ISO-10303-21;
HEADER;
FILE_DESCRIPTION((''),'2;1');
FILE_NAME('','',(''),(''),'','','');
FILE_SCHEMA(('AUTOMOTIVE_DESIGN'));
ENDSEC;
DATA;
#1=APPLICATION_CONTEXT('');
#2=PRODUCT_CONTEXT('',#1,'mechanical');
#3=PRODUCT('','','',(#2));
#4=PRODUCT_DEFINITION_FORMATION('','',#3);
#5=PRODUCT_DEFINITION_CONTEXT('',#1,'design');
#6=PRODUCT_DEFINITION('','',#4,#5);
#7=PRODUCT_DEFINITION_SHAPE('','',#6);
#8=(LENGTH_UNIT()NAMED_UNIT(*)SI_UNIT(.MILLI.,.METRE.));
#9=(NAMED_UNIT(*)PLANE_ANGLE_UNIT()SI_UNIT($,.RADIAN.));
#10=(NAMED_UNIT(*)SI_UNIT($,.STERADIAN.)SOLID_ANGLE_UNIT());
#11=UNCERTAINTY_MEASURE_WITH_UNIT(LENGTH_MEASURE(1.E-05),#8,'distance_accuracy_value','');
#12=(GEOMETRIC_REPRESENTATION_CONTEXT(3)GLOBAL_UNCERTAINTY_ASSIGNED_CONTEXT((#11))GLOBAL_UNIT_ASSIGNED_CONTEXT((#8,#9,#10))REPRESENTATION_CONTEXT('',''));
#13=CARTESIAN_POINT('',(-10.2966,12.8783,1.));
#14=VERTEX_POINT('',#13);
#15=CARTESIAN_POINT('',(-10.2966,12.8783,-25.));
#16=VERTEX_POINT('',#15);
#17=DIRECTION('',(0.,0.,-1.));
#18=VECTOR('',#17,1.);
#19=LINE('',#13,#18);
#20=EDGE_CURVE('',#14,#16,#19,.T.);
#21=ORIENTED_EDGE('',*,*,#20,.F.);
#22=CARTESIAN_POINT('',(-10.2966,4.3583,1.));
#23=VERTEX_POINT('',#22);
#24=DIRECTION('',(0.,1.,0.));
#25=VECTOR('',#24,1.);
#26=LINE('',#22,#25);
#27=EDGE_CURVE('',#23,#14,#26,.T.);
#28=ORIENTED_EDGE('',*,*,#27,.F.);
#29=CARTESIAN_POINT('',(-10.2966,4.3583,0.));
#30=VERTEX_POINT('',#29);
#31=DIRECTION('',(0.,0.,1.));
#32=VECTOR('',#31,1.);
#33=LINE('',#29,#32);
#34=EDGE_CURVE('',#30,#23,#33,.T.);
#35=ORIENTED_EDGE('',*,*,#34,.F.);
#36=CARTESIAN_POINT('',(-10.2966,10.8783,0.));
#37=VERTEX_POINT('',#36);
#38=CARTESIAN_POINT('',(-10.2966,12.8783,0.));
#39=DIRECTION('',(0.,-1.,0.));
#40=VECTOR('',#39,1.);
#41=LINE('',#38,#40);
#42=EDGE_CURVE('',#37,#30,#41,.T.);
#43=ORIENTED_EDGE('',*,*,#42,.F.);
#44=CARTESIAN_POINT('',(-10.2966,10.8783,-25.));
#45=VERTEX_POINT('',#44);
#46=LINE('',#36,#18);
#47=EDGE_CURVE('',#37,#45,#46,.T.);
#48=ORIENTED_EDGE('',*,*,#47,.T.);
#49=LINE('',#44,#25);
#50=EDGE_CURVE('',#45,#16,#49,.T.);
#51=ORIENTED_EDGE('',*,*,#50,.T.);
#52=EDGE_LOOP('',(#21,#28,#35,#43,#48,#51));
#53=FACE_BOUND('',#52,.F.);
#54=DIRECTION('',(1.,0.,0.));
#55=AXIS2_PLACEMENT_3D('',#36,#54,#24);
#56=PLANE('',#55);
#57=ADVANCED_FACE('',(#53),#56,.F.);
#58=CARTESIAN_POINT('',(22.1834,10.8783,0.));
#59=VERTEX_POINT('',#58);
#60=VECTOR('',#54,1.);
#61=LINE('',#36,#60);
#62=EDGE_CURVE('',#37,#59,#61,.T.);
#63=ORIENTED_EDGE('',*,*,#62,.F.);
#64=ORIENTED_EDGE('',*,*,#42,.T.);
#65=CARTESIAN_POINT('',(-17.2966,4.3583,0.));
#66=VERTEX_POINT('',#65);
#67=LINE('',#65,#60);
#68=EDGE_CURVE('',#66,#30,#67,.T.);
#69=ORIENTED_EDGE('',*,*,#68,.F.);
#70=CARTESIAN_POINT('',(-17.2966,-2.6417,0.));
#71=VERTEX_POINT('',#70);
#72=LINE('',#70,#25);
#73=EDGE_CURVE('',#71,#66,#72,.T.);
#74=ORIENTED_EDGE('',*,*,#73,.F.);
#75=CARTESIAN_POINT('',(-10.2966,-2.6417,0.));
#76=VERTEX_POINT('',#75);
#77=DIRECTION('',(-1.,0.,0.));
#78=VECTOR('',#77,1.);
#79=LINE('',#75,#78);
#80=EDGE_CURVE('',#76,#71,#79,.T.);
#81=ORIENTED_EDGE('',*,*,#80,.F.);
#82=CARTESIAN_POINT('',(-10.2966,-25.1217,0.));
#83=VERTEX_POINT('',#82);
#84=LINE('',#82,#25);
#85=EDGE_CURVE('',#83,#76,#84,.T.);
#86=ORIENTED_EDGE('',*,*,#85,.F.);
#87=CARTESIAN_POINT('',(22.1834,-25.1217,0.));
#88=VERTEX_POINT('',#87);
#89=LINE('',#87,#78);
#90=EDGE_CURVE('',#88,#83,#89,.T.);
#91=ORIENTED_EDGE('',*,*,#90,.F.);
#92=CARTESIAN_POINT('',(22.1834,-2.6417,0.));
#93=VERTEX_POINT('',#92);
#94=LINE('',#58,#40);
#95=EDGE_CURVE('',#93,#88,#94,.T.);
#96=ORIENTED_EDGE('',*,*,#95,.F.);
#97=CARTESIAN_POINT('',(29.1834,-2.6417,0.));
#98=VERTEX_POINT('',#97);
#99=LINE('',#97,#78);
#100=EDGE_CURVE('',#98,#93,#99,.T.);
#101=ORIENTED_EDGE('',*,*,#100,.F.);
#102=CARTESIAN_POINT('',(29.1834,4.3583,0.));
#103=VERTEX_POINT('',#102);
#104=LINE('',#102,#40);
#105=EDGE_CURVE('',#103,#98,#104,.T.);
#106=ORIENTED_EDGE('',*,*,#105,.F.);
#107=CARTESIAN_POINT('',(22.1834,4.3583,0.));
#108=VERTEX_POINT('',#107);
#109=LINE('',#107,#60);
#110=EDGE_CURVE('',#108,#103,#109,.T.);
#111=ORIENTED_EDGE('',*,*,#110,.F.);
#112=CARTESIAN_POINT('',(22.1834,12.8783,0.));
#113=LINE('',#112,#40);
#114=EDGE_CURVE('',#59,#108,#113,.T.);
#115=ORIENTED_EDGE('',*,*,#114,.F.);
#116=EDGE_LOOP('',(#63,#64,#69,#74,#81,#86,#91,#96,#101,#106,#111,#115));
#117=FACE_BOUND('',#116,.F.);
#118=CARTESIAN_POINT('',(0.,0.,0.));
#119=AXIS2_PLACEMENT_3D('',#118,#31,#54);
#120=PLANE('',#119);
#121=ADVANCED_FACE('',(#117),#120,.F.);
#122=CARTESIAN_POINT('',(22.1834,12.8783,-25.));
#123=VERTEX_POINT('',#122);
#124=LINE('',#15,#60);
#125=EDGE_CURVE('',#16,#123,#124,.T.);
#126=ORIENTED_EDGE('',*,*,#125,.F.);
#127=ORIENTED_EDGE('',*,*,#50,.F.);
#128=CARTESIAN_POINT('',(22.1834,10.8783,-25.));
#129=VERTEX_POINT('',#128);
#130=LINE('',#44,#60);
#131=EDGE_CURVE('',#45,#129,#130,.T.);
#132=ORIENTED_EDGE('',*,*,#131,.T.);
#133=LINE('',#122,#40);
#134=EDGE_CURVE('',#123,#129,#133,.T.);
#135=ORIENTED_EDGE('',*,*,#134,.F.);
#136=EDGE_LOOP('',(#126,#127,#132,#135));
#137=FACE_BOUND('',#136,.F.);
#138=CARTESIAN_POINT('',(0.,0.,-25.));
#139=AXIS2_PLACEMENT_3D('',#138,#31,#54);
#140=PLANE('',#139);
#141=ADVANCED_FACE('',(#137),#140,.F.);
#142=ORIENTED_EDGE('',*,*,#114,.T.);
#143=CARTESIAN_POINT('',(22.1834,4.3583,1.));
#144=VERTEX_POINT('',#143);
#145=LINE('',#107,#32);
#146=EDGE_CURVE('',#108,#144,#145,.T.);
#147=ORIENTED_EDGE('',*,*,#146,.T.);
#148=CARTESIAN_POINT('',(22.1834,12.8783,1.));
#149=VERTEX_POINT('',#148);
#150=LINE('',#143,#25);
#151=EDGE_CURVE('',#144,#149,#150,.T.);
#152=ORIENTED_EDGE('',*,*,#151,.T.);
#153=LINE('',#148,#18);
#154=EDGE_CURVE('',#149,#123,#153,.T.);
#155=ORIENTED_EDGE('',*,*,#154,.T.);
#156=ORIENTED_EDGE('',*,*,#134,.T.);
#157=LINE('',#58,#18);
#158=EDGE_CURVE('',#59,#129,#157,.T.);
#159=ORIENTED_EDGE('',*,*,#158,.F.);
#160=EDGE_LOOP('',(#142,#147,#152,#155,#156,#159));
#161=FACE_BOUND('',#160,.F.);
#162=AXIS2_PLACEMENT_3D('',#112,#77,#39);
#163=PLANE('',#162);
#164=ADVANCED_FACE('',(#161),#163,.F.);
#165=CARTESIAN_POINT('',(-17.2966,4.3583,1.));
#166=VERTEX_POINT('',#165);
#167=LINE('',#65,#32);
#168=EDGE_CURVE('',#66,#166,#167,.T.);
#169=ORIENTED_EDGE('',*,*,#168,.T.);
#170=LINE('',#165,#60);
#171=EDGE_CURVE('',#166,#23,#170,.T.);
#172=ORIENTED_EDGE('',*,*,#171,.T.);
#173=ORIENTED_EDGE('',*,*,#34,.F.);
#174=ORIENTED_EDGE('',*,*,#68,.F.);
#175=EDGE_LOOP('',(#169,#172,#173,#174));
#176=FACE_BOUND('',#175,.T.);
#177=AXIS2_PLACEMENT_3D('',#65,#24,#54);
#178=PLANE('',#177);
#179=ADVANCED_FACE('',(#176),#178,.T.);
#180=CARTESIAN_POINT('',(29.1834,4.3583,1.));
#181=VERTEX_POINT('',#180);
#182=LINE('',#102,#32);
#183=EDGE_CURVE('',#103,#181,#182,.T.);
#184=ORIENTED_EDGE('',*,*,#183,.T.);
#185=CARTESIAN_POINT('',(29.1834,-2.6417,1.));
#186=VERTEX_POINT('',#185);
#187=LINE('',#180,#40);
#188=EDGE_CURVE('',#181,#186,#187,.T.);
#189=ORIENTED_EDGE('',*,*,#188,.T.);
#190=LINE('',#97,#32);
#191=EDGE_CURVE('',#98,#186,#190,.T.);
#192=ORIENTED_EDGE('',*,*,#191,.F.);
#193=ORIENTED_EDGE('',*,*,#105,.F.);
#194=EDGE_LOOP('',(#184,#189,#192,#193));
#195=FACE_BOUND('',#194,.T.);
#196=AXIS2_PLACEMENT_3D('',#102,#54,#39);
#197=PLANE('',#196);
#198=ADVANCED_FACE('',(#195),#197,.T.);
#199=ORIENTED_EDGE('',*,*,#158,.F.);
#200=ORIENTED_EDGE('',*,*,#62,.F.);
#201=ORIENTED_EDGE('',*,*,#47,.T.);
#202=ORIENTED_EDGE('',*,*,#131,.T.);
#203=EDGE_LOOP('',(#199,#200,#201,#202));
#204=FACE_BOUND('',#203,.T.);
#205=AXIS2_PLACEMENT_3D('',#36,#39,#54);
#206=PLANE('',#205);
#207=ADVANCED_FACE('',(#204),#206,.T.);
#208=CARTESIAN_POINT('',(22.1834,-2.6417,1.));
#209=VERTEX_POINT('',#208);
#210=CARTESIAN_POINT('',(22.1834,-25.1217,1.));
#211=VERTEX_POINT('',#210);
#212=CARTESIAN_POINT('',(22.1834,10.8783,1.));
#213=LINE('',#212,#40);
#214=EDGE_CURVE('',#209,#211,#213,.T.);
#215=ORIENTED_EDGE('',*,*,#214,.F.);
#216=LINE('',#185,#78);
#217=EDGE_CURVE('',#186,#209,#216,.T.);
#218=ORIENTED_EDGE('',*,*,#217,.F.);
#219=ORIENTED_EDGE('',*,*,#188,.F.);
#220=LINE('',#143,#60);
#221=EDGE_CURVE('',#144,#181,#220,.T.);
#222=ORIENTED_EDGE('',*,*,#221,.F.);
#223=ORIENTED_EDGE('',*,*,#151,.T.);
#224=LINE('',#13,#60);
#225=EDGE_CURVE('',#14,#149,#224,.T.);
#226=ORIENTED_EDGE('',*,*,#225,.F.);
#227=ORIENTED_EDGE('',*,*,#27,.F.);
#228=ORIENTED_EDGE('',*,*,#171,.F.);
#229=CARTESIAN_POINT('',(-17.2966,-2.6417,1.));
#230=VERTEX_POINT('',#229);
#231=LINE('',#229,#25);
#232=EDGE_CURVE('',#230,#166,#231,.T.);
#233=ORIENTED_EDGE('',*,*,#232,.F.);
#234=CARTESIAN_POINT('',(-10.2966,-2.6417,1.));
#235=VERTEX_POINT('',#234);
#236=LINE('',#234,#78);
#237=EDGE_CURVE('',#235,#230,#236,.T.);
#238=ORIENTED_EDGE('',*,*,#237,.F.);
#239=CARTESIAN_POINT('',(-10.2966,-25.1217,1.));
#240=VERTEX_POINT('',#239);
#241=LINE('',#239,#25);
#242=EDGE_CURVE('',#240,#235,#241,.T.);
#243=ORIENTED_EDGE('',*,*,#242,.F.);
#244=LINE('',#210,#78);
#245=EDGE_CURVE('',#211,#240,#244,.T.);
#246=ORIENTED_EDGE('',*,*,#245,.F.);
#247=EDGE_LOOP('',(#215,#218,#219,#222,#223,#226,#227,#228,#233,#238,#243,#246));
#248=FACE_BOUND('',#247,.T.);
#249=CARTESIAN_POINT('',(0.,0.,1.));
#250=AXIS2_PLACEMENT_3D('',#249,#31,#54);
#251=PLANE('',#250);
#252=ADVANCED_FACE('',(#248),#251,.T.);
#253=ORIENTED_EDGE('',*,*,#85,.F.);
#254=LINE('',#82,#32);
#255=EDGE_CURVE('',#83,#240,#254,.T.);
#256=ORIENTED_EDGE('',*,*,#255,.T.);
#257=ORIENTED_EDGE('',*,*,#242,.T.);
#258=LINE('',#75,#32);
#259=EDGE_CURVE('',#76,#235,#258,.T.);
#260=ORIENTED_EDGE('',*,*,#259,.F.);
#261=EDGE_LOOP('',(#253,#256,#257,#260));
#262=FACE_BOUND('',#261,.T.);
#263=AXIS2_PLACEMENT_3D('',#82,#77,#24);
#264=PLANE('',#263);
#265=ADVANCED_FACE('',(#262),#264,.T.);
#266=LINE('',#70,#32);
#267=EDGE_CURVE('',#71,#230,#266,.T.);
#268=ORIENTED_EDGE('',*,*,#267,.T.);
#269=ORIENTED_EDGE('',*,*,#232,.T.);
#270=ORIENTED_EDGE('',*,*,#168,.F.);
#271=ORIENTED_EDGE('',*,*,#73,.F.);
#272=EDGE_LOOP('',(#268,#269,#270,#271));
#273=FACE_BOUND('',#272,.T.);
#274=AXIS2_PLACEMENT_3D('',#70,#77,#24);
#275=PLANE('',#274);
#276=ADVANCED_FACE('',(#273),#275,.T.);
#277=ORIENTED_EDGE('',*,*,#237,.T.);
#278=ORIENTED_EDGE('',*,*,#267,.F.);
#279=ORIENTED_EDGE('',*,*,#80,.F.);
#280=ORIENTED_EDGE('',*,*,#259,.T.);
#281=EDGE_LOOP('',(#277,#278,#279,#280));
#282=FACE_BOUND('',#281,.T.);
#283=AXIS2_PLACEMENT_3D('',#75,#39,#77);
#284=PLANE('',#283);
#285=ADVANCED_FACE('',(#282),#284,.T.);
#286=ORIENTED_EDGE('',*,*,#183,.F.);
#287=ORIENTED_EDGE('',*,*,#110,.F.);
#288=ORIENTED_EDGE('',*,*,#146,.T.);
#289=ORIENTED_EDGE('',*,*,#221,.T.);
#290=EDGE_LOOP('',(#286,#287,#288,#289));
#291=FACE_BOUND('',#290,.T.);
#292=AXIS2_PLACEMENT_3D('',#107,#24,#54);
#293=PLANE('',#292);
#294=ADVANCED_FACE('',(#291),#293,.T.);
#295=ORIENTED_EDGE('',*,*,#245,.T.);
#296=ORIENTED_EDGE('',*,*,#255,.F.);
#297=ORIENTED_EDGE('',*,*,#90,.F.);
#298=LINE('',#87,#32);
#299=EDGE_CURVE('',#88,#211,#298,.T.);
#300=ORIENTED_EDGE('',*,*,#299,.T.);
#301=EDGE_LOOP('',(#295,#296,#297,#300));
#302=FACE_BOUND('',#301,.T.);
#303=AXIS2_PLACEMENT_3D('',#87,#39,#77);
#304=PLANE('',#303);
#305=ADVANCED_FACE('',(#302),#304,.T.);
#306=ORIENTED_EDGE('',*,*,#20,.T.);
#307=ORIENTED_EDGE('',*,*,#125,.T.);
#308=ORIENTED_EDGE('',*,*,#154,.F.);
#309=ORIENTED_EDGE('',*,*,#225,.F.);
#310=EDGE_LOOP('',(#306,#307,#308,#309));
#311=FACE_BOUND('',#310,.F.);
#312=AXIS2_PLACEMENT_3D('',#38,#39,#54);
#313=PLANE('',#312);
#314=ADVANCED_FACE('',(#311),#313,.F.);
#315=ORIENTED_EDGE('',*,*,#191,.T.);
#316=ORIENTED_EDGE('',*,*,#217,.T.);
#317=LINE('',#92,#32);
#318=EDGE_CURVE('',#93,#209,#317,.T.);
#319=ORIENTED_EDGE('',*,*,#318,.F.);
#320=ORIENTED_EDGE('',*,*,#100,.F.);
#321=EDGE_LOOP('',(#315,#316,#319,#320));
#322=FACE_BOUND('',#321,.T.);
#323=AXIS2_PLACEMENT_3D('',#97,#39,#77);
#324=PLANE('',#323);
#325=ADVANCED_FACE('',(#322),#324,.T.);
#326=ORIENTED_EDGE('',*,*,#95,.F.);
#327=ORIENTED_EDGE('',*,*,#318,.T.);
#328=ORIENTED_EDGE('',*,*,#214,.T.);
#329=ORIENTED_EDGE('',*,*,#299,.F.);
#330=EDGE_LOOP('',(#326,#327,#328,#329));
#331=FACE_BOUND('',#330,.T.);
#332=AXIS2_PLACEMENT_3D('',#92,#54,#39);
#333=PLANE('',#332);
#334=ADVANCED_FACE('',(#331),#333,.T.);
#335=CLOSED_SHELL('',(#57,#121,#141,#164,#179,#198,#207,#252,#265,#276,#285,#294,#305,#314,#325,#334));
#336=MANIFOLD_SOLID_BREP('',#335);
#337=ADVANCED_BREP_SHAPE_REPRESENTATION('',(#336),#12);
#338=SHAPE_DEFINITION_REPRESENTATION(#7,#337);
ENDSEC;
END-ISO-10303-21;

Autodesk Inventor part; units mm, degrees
ref_plane "YZ Plane" through (0, 0, 0) normal (1, 0, 0) x (0, 1, 0)
ref_plane "XZ Plane" through (0, 0, 0) normal (0, 1, 0) x (-1, 0, 0)
ref_plane "XY Plane" through (0, 0, 0) normal (0, 0, 1) x (1, 0, 0)
sketch "Sketch1" plane through (0, 0, 0) normal (0, 0, 1) x (1, 0, 0)
  line L0 (-10.2966, 10.8783) -> (22.1834, 10.8783)
  line L1 (22.1834, 10.8783) -> (22.1834, -25.1217)
  line L2 (22.1834, -25.1217) -> (-10.2966, -25.1217)
  line L3 (-10.2966, -25.1217) -> (-10.2966, 10.8783)
  line L4 (-10.2966, -25.1217) -> (-10.2966, -2.6417)
  line L5 (-10.2966, -2.6417) -> (-17.2966, -2.6417)
  line L6 (-17.2966, -2.6417) -> (-17.2966, 4.3583)
  line L7 (-17.2966, 4.3583) -> (-10.2966, 4.3583)
  line L8 (22.1834, 4.3583) -> (29.1834, 4.3583)
  line L9 (29.1834, 4.3583) -> (29.1834, -2.6417)
  line L10 (29.1834, -2.6417) -> (22.1834, -2.6417)
  line L11 (-10.2966, 10.8783) -> (-10.2966, 12.8783)
  line L12 (-10.2966, 12.8783) -> (22.1834, 12.8783)
  line L13 (22.1834, 12.8783) -> (22.1834, 10.8783)
  point P0 (0, 0)
  dimension "d0" = 32.48
  dimension "d1" = 36
  dimension "d2" = 22.48
  dimension "d3" = 7
  dimension "d4" = 90
  dimension "d5" = 7
  dimension "d6" = 7
  dimension "d7" = 2
extrude "Extrusion1" add sketch "Sketch1" along normal blind 1
extrude "Extrusion2" add sketch "Sketch1" against normal blind 25 contours L11 L12 L13 L0
properties part number "shell 6.0 cover"
